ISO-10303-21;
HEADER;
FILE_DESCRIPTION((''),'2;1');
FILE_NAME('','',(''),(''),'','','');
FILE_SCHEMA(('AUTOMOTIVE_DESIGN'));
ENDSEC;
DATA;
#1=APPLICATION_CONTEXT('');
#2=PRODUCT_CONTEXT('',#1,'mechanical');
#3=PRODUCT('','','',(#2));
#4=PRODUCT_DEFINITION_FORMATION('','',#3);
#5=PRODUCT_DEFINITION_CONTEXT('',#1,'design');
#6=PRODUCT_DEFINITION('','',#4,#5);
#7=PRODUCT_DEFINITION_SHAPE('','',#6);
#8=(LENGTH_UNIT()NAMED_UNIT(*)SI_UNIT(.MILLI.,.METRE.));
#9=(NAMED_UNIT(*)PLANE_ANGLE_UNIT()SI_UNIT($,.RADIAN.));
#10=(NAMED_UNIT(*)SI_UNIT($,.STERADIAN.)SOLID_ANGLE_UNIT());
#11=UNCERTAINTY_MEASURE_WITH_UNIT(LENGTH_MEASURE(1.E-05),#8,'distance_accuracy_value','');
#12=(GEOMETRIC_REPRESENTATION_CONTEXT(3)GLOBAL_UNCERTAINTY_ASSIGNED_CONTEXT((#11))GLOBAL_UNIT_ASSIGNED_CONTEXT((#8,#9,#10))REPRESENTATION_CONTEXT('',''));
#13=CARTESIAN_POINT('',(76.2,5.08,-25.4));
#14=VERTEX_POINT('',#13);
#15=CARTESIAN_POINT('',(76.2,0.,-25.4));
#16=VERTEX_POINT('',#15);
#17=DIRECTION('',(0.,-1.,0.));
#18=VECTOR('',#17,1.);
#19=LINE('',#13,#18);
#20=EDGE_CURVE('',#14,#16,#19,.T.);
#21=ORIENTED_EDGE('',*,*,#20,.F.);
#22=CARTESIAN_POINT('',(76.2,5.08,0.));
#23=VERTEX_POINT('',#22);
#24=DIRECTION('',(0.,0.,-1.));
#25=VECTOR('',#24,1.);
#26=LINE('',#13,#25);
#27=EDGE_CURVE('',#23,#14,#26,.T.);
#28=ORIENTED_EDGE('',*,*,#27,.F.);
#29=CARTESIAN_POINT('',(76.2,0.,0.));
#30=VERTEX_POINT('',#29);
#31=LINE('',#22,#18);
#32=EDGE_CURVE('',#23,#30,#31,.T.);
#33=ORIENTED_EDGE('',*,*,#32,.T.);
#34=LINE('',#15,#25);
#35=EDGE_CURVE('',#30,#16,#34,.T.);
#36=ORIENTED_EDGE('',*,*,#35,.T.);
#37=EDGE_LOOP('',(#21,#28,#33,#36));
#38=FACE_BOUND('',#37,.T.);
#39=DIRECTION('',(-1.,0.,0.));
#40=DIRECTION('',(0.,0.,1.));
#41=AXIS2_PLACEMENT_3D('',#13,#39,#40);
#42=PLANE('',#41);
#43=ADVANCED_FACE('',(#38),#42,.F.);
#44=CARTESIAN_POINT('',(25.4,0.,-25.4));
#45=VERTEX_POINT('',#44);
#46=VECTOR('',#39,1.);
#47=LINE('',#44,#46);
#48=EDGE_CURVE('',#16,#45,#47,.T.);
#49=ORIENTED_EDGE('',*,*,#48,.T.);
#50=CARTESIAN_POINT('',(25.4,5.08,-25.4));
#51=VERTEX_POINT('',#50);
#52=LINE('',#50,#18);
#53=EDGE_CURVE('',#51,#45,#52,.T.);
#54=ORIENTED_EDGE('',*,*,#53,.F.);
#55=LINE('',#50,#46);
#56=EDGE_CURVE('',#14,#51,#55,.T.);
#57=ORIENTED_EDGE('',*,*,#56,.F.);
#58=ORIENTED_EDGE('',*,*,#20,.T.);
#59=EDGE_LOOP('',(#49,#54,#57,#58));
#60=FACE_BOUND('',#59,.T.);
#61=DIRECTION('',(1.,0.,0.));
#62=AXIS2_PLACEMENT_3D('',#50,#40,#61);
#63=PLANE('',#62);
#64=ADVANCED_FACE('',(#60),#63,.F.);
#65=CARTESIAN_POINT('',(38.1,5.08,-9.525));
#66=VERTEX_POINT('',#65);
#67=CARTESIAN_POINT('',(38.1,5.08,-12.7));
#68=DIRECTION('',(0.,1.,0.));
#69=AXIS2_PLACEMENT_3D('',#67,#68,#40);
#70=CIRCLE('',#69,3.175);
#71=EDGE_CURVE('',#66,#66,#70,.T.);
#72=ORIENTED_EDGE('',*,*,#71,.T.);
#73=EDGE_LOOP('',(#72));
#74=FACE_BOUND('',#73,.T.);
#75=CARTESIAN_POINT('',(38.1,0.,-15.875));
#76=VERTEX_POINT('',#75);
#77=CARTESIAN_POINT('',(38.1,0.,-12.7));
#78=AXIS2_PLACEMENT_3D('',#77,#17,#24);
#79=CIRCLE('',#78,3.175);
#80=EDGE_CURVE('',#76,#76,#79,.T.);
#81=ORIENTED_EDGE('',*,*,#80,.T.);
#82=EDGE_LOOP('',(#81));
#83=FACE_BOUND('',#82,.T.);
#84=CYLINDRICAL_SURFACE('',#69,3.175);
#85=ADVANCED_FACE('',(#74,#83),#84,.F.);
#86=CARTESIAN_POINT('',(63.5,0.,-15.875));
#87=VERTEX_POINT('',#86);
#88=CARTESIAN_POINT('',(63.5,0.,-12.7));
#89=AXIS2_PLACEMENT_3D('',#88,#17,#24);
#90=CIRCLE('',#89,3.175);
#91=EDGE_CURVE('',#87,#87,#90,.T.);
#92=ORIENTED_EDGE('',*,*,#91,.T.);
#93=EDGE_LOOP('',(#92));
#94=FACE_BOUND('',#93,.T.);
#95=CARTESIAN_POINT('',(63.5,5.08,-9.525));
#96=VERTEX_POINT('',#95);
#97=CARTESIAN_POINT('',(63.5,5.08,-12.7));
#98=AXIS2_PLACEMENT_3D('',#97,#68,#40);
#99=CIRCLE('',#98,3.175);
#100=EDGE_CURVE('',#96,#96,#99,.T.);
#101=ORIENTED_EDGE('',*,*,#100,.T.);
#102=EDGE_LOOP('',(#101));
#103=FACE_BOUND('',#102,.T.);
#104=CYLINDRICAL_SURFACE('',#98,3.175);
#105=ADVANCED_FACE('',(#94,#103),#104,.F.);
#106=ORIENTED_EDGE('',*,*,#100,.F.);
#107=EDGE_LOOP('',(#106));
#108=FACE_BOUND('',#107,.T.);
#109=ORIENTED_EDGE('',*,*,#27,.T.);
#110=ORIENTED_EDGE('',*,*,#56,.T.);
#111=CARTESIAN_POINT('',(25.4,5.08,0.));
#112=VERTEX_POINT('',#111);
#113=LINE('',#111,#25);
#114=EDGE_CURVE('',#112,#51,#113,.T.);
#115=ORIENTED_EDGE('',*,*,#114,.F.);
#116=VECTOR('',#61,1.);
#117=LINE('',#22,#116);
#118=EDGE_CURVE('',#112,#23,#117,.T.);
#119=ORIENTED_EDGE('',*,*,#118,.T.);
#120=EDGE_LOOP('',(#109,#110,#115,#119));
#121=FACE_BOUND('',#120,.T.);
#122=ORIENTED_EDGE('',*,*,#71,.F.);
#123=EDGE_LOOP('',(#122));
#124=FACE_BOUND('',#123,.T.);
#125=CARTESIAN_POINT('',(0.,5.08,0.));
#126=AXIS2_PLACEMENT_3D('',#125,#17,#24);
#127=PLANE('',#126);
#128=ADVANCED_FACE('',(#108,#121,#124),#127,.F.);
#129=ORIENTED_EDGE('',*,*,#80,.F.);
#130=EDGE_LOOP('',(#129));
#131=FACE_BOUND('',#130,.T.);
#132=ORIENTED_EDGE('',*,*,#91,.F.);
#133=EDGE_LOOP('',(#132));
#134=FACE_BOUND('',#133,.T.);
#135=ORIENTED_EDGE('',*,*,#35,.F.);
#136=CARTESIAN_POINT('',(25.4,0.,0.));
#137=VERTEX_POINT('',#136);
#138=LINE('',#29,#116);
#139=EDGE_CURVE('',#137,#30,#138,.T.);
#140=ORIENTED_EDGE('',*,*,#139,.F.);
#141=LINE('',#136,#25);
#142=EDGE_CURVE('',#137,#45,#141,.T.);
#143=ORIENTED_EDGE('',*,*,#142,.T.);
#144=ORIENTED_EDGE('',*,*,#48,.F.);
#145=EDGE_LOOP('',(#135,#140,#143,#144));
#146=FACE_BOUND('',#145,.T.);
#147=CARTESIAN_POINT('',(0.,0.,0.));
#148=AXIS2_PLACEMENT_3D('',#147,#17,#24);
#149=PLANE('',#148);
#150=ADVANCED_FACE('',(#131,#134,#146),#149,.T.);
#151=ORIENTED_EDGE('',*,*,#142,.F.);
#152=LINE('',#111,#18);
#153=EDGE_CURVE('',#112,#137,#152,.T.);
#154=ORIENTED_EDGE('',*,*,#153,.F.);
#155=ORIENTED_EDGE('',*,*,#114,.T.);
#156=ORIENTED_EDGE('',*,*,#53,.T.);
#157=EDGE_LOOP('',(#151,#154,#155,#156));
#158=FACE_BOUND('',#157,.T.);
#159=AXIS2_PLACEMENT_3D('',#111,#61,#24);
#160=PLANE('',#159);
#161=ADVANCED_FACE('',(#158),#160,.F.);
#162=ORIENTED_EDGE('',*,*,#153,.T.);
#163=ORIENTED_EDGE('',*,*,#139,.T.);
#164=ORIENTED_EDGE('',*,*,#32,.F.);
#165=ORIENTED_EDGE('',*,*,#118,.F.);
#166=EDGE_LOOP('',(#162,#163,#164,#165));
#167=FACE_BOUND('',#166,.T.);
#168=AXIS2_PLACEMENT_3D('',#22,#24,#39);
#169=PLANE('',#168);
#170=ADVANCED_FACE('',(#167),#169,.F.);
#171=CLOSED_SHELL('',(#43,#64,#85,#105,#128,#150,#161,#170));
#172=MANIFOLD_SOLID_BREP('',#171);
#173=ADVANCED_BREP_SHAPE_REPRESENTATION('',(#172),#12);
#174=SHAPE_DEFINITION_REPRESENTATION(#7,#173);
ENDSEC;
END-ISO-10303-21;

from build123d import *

# Parameters (mm, degrees)
BOSS_EXTRUDE1_DEPTH             = 5.08
F_1_4_0_25_DIAMETER_HOLE1_D     = 6.35
F_1_4_0_25_DIAMETER_HOLE1_DEPTH = 25.4
F_1_4_0_25_DIAMETER_HOLE1_TIP   = 1.907732465
CUT_EXTRUDE1_DEPTH              = 108.882743755
CUT_EXTRUDE1_DEPTH_BACK         = 108.882743755
SKETCH5_W                       = 25.4
SKETCH5_H                       = 5.08


with BuildPart() as part:
    # Sketch1 → Boss-Extrude1 (new body)
    with BuildSketch(Plane(origin=(0, 0, 0), x_dir=(1, 0, 0), z_dir=(0, 1, 0))):
        Polygon((0, 0), (0, 76.2), (25.4, 76.2), (25.4, 25.4), (76.2, 25.4), (76.2, 0), align=None)
    extrude(amount=BOSS_EXTRUDE1_DEPTH)

    # 1/4 (0.25) Diameter Hole1
    with Locations(Plane(origin=(0, 5.08, 0), x_dir=(1, 0, 0), z_dir=(0, 1, 0))):
        with Locations((12.7, 63.5), (12.7, 38.1), (12.7, 12.7), (38.1, 12.7), (63.5, 12.7)):
            Hole(F_1_4_0_25_DIAMETER_HOLE1_D / 2, depth=F_1_4_0_25_DIAMETER_HOLE1_DEPTH)
            with Locations((0, 0, -(F_1_4_0_25_DIAMETER_HOLE1_DEPTH + F_1_4_0_25_DIAMETER_HOLE1_TIP / 2))):  # 118° drill point
                Cone(0, F_1_4_0_25_DIAMETER_HOLE1_D / 2, F_1_4_0_25_DIAMETER_HOLE1_TIP, mode=Mode.SUBTRACT)

    # Sketch5 → Cut-Extrude1 (cut, two sides: drawn at the far end of the back side and taken through both)
    with BuildSketch(Plane(origin=(0, 0, -76.2), x_dir=(-1, 0, 0), z_dir=(0, 0, -1)).offset(-CUT_EXTRUDE1_DEPTH_BACK)):
        with Locations((-12.7, 2.54)):
            Rectangle(SKETCH5_W, SKETCH5_H)
    extrude(amount=CUT_EXTRUDE1_DEPTH + CUT_EXTRUDE1_DEPTH_BACK, mode=Mode.SUBTRACT)


solid = part.part
